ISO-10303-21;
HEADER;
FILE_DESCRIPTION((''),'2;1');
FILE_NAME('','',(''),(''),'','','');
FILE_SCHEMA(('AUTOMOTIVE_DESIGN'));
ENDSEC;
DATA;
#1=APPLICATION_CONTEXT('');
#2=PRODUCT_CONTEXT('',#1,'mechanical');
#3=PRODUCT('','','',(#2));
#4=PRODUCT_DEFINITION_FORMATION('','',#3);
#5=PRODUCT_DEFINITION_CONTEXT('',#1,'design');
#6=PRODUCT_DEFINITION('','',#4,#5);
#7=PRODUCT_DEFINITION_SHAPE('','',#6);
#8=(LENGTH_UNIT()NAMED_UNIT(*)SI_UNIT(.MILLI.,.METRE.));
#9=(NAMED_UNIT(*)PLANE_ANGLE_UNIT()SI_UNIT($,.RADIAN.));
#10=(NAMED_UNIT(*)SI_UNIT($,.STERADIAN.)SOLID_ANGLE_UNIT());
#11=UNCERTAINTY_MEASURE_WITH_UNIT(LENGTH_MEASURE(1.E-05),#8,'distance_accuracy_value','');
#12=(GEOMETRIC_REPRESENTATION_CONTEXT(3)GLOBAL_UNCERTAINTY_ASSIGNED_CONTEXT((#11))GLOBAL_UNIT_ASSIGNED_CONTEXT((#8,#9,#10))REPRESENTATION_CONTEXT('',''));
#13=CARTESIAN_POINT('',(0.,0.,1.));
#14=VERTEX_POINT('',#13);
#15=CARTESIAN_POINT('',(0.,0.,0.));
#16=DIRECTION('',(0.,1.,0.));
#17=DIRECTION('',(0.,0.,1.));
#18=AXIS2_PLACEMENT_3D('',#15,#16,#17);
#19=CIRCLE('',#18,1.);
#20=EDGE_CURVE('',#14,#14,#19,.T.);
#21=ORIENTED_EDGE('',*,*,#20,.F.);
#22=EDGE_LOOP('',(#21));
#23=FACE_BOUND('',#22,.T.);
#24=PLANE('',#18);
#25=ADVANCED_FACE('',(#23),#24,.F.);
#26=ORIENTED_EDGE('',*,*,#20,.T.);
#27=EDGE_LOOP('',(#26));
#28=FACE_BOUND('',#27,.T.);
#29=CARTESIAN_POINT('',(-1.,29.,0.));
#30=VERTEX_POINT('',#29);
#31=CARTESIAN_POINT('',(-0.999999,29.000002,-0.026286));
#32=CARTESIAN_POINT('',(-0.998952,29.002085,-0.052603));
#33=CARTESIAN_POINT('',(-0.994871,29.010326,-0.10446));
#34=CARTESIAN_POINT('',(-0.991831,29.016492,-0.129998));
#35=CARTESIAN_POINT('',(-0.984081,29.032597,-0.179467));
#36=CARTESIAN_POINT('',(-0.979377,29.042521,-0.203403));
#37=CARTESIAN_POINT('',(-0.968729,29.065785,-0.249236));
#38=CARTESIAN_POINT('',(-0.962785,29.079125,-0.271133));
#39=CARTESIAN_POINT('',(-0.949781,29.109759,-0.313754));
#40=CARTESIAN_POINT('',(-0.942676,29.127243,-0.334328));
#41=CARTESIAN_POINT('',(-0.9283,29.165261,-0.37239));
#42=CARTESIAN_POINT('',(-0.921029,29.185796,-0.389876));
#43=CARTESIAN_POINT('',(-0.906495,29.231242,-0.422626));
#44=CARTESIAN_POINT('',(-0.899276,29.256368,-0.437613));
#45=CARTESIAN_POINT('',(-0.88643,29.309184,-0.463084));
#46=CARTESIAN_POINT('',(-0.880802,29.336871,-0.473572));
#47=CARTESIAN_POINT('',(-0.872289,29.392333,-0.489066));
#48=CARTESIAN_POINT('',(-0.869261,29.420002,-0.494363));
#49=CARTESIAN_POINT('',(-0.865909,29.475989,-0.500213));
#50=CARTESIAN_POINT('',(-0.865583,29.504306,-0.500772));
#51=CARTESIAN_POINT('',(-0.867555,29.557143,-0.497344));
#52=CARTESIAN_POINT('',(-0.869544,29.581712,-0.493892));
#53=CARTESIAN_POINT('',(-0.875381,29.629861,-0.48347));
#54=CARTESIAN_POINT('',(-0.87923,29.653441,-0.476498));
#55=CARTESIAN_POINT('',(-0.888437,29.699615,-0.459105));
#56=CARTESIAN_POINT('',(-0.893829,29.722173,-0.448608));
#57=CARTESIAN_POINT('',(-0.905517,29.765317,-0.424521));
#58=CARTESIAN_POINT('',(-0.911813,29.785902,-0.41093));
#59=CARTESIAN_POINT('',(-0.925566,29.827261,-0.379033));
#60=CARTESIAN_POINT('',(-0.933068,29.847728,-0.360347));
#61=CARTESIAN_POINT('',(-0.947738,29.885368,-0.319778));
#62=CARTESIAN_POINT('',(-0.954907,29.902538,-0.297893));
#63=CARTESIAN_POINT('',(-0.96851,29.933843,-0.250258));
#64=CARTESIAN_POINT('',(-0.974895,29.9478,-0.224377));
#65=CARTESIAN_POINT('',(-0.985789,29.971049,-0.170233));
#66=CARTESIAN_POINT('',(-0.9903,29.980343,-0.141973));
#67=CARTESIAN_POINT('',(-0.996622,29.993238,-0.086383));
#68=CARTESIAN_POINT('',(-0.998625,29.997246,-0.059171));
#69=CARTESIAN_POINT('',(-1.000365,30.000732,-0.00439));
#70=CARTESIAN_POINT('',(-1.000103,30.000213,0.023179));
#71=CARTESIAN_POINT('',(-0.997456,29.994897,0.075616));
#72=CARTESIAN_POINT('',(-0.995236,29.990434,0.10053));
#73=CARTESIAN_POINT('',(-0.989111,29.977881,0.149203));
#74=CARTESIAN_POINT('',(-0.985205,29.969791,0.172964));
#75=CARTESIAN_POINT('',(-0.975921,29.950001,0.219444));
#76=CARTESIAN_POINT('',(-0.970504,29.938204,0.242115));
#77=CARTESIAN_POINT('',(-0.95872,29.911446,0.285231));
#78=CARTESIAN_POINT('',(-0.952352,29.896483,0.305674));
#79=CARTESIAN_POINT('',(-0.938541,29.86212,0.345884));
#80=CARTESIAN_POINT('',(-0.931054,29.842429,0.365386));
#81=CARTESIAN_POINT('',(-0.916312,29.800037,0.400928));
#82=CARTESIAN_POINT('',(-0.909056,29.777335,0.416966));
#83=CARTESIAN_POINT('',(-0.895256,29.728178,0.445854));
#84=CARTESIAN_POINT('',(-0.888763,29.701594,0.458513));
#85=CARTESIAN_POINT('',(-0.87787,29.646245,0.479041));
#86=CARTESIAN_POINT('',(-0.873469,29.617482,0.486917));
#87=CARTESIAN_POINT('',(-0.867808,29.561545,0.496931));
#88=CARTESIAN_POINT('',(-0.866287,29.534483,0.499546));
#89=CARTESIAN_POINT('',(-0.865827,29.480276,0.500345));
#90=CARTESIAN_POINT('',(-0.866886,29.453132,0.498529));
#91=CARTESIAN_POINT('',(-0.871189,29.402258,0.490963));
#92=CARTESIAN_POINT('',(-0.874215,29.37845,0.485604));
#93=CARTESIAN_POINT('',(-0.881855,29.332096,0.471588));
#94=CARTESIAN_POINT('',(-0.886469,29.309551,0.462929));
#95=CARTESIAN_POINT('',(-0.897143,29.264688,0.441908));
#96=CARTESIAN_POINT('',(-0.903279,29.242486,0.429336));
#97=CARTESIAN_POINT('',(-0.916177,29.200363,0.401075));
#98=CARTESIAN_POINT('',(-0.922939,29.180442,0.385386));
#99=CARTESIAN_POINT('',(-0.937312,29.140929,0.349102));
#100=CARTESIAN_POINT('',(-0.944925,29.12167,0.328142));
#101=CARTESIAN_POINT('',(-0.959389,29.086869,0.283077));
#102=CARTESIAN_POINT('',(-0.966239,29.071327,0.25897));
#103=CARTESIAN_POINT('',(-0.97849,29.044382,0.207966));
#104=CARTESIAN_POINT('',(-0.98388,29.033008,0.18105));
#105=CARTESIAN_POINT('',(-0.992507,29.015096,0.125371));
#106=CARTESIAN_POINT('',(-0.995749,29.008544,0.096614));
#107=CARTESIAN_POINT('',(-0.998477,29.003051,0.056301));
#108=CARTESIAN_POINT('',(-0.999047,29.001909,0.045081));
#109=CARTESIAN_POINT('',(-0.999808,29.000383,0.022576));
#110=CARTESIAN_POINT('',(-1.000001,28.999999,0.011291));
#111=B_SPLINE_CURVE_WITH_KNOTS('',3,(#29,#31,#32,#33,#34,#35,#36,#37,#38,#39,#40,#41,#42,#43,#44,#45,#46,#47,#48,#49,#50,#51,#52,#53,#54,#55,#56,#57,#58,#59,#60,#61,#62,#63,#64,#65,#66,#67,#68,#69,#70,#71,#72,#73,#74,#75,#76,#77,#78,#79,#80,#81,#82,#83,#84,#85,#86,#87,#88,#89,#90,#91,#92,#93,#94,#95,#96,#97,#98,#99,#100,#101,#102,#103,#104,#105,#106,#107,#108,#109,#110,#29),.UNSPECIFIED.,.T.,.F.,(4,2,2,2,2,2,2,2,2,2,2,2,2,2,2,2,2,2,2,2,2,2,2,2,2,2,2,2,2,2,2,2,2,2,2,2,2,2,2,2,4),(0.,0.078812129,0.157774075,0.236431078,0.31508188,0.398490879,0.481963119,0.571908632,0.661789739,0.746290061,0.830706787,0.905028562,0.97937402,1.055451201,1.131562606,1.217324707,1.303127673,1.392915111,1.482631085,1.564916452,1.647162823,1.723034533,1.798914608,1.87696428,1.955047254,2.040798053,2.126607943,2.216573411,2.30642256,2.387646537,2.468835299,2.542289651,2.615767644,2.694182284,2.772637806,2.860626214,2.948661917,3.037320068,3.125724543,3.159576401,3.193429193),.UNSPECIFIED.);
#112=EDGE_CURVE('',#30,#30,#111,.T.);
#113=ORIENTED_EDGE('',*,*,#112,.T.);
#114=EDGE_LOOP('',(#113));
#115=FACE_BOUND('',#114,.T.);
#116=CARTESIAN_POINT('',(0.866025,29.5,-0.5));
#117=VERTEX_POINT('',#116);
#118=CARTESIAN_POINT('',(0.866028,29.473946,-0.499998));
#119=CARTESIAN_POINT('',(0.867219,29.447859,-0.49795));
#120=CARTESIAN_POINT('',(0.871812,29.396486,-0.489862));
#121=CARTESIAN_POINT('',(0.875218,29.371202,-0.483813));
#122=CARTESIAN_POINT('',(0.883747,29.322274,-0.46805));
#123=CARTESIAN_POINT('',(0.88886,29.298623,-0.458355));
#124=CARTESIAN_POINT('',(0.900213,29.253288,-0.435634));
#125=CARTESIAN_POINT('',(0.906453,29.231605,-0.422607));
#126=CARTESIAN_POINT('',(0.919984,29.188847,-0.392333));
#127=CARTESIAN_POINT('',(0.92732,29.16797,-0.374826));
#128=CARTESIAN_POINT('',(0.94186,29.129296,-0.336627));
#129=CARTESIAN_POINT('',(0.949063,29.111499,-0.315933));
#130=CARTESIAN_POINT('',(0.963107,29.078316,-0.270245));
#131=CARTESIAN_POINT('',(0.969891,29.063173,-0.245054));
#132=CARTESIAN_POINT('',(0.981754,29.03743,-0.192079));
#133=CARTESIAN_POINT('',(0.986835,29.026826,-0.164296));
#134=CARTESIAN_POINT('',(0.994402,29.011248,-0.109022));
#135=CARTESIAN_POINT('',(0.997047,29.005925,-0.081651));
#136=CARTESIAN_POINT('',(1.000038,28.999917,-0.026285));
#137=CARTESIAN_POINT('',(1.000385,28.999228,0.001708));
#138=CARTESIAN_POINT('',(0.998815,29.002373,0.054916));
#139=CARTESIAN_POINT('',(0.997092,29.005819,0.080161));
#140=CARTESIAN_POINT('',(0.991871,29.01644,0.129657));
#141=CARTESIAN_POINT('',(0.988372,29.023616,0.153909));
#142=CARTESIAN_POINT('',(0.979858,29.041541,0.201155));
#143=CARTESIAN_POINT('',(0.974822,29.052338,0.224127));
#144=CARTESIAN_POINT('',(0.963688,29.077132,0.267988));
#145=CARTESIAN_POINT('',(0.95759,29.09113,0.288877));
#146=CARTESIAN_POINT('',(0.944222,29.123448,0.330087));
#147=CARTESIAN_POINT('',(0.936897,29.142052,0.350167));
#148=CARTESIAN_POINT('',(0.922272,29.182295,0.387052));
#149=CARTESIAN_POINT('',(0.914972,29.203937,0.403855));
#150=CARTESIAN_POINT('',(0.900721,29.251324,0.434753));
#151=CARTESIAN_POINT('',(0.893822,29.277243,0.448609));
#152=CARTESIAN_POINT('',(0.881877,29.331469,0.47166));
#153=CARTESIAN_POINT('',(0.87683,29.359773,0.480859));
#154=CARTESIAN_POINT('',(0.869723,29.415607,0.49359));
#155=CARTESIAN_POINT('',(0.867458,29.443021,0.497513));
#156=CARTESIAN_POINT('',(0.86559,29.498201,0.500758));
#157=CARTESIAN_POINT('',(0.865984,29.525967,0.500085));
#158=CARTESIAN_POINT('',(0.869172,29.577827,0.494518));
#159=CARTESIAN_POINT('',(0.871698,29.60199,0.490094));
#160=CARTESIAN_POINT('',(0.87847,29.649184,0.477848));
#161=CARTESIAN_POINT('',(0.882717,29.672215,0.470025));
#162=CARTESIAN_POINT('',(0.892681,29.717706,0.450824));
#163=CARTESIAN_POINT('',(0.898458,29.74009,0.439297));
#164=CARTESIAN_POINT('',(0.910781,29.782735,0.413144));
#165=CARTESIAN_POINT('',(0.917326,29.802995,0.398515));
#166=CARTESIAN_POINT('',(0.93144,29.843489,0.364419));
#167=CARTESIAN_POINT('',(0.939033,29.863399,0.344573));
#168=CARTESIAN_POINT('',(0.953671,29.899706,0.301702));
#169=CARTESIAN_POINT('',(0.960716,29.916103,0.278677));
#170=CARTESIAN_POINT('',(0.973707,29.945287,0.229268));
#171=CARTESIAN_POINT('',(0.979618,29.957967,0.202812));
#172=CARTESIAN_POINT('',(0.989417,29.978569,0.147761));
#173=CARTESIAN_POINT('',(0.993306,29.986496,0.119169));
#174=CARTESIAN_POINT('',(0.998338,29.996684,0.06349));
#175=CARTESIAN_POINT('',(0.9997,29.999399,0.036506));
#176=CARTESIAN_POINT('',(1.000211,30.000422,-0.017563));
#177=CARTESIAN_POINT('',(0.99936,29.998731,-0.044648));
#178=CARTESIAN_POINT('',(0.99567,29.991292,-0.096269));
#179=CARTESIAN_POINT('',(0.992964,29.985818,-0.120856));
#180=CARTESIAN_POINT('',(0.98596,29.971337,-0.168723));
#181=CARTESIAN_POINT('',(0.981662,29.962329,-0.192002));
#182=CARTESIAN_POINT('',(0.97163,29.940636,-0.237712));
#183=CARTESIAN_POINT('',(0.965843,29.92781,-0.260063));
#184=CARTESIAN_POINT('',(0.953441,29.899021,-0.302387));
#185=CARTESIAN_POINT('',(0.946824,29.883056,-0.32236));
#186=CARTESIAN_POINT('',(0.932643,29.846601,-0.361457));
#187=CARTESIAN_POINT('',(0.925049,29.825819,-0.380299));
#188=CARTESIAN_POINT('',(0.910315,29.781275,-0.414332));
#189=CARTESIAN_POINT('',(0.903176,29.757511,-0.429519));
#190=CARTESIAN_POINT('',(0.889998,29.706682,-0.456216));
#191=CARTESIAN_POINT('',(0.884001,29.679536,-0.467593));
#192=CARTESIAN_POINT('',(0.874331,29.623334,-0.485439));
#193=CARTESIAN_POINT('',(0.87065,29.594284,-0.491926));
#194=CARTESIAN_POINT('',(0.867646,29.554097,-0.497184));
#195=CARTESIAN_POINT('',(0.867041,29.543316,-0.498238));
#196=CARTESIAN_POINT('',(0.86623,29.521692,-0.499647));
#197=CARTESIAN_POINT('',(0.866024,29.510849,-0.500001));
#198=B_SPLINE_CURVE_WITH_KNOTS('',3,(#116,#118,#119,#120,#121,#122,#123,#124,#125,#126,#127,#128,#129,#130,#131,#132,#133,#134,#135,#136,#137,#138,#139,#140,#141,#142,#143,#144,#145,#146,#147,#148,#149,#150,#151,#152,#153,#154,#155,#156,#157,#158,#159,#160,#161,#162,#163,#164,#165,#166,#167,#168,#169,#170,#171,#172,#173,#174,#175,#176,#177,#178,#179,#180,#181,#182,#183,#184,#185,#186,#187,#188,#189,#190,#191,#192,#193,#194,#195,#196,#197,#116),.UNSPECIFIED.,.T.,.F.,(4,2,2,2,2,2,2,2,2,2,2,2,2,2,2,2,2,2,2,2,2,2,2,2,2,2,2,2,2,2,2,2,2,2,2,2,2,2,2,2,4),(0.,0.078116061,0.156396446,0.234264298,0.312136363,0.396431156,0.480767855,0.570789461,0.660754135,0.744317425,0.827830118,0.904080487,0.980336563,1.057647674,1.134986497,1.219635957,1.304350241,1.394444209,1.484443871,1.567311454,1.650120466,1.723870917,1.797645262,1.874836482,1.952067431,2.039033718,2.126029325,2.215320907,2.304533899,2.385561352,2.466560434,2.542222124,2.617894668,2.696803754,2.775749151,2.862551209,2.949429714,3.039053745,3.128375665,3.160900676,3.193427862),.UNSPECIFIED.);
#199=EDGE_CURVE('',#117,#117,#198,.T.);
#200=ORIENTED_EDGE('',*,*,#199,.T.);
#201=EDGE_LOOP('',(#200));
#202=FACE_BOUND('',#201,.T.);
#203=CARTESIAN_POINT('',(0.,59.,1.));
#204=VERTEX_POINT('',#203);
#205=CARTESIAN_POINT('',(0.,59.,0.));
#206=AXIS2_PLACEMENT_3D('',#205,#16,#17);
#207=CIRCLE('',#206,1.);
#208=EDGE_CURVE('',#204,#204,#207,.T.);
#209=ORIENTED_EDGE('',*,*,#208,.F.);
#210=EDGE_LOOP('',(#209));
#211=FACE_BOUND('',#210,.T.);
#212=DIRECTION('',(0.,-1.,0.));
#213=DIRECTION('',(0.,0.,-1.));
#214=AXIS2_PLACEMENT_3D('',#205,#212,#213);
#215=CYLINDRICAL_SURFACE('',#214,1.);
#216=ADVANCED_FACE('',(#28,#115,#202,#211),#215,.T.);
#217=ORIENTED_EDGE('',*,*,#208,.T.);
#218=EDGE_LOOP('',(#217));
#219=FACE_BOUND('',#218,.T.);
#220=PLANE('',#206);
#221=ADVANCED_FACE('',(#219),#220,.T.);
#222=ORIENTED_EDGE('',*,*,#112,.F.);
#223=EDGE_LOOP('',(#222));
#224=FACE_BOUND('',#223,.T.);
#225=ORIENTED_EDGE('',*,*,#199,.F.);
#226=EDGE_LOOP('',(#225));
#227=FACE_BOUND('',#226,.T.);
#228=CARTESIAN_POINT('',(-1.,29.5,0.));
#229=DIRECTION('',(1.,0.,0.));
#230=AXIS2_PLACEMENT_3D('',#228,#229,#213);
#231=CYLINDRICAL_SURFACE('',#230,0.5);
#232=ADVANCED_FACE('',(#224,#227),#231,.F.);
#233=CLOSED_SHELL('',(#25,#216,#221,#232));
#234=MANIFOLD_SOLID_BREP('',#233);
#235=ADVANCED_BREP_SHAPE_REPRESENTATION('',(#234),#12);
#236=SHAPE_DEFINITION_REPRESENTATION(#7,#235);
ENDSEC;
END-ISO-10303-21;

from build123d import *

# Parameters (mm, degrees)
SKETCH1_R               = 1
BOSS_EXTRUDE1_DEPTH     = 59
CUT_EXTRUDE1_DEPTH      = 60.016946719
CUT_EXTRUDE1_DEPTH_BACK = 60.016946719
SKETCH2_R               = 0.5


with BuildPart() as part:
    # Sketch1 → Boss-Extrude1 (new body)
    with BuildSketch(Plane(origin=(0, 0, 0), x_dir=(1, 0, 0), z_dir=(0, 1, 0))):
        with Locations(Location((0, 0, 0), (0, 0, 270))):
            Circle(SKETCH1_R)
    extrude(amount=BOSS_EXTRUDE1_DEPTH)

    # Sketch2 → Cut-Extrude1 (cut, two sides: drawn at the far end of the back side and taken through both)
    with BuildSketch(Plane(origin=(0, 0, 0), x_dir=(0, 0, -1), z_dir=(1, 0, 0)).offset(-CUT_EXTRUDE1_DEPTH_BACK)):
        with Locations((0, 29.5)):
            Circle(SKETCH2_R)
    extrude(amount=CUT_EXTRUDE1_DEPTH + CUT_EXTRUDE1_DEPTH_BACK, mode=Mode.SUBTRACT)


solid = part.part
